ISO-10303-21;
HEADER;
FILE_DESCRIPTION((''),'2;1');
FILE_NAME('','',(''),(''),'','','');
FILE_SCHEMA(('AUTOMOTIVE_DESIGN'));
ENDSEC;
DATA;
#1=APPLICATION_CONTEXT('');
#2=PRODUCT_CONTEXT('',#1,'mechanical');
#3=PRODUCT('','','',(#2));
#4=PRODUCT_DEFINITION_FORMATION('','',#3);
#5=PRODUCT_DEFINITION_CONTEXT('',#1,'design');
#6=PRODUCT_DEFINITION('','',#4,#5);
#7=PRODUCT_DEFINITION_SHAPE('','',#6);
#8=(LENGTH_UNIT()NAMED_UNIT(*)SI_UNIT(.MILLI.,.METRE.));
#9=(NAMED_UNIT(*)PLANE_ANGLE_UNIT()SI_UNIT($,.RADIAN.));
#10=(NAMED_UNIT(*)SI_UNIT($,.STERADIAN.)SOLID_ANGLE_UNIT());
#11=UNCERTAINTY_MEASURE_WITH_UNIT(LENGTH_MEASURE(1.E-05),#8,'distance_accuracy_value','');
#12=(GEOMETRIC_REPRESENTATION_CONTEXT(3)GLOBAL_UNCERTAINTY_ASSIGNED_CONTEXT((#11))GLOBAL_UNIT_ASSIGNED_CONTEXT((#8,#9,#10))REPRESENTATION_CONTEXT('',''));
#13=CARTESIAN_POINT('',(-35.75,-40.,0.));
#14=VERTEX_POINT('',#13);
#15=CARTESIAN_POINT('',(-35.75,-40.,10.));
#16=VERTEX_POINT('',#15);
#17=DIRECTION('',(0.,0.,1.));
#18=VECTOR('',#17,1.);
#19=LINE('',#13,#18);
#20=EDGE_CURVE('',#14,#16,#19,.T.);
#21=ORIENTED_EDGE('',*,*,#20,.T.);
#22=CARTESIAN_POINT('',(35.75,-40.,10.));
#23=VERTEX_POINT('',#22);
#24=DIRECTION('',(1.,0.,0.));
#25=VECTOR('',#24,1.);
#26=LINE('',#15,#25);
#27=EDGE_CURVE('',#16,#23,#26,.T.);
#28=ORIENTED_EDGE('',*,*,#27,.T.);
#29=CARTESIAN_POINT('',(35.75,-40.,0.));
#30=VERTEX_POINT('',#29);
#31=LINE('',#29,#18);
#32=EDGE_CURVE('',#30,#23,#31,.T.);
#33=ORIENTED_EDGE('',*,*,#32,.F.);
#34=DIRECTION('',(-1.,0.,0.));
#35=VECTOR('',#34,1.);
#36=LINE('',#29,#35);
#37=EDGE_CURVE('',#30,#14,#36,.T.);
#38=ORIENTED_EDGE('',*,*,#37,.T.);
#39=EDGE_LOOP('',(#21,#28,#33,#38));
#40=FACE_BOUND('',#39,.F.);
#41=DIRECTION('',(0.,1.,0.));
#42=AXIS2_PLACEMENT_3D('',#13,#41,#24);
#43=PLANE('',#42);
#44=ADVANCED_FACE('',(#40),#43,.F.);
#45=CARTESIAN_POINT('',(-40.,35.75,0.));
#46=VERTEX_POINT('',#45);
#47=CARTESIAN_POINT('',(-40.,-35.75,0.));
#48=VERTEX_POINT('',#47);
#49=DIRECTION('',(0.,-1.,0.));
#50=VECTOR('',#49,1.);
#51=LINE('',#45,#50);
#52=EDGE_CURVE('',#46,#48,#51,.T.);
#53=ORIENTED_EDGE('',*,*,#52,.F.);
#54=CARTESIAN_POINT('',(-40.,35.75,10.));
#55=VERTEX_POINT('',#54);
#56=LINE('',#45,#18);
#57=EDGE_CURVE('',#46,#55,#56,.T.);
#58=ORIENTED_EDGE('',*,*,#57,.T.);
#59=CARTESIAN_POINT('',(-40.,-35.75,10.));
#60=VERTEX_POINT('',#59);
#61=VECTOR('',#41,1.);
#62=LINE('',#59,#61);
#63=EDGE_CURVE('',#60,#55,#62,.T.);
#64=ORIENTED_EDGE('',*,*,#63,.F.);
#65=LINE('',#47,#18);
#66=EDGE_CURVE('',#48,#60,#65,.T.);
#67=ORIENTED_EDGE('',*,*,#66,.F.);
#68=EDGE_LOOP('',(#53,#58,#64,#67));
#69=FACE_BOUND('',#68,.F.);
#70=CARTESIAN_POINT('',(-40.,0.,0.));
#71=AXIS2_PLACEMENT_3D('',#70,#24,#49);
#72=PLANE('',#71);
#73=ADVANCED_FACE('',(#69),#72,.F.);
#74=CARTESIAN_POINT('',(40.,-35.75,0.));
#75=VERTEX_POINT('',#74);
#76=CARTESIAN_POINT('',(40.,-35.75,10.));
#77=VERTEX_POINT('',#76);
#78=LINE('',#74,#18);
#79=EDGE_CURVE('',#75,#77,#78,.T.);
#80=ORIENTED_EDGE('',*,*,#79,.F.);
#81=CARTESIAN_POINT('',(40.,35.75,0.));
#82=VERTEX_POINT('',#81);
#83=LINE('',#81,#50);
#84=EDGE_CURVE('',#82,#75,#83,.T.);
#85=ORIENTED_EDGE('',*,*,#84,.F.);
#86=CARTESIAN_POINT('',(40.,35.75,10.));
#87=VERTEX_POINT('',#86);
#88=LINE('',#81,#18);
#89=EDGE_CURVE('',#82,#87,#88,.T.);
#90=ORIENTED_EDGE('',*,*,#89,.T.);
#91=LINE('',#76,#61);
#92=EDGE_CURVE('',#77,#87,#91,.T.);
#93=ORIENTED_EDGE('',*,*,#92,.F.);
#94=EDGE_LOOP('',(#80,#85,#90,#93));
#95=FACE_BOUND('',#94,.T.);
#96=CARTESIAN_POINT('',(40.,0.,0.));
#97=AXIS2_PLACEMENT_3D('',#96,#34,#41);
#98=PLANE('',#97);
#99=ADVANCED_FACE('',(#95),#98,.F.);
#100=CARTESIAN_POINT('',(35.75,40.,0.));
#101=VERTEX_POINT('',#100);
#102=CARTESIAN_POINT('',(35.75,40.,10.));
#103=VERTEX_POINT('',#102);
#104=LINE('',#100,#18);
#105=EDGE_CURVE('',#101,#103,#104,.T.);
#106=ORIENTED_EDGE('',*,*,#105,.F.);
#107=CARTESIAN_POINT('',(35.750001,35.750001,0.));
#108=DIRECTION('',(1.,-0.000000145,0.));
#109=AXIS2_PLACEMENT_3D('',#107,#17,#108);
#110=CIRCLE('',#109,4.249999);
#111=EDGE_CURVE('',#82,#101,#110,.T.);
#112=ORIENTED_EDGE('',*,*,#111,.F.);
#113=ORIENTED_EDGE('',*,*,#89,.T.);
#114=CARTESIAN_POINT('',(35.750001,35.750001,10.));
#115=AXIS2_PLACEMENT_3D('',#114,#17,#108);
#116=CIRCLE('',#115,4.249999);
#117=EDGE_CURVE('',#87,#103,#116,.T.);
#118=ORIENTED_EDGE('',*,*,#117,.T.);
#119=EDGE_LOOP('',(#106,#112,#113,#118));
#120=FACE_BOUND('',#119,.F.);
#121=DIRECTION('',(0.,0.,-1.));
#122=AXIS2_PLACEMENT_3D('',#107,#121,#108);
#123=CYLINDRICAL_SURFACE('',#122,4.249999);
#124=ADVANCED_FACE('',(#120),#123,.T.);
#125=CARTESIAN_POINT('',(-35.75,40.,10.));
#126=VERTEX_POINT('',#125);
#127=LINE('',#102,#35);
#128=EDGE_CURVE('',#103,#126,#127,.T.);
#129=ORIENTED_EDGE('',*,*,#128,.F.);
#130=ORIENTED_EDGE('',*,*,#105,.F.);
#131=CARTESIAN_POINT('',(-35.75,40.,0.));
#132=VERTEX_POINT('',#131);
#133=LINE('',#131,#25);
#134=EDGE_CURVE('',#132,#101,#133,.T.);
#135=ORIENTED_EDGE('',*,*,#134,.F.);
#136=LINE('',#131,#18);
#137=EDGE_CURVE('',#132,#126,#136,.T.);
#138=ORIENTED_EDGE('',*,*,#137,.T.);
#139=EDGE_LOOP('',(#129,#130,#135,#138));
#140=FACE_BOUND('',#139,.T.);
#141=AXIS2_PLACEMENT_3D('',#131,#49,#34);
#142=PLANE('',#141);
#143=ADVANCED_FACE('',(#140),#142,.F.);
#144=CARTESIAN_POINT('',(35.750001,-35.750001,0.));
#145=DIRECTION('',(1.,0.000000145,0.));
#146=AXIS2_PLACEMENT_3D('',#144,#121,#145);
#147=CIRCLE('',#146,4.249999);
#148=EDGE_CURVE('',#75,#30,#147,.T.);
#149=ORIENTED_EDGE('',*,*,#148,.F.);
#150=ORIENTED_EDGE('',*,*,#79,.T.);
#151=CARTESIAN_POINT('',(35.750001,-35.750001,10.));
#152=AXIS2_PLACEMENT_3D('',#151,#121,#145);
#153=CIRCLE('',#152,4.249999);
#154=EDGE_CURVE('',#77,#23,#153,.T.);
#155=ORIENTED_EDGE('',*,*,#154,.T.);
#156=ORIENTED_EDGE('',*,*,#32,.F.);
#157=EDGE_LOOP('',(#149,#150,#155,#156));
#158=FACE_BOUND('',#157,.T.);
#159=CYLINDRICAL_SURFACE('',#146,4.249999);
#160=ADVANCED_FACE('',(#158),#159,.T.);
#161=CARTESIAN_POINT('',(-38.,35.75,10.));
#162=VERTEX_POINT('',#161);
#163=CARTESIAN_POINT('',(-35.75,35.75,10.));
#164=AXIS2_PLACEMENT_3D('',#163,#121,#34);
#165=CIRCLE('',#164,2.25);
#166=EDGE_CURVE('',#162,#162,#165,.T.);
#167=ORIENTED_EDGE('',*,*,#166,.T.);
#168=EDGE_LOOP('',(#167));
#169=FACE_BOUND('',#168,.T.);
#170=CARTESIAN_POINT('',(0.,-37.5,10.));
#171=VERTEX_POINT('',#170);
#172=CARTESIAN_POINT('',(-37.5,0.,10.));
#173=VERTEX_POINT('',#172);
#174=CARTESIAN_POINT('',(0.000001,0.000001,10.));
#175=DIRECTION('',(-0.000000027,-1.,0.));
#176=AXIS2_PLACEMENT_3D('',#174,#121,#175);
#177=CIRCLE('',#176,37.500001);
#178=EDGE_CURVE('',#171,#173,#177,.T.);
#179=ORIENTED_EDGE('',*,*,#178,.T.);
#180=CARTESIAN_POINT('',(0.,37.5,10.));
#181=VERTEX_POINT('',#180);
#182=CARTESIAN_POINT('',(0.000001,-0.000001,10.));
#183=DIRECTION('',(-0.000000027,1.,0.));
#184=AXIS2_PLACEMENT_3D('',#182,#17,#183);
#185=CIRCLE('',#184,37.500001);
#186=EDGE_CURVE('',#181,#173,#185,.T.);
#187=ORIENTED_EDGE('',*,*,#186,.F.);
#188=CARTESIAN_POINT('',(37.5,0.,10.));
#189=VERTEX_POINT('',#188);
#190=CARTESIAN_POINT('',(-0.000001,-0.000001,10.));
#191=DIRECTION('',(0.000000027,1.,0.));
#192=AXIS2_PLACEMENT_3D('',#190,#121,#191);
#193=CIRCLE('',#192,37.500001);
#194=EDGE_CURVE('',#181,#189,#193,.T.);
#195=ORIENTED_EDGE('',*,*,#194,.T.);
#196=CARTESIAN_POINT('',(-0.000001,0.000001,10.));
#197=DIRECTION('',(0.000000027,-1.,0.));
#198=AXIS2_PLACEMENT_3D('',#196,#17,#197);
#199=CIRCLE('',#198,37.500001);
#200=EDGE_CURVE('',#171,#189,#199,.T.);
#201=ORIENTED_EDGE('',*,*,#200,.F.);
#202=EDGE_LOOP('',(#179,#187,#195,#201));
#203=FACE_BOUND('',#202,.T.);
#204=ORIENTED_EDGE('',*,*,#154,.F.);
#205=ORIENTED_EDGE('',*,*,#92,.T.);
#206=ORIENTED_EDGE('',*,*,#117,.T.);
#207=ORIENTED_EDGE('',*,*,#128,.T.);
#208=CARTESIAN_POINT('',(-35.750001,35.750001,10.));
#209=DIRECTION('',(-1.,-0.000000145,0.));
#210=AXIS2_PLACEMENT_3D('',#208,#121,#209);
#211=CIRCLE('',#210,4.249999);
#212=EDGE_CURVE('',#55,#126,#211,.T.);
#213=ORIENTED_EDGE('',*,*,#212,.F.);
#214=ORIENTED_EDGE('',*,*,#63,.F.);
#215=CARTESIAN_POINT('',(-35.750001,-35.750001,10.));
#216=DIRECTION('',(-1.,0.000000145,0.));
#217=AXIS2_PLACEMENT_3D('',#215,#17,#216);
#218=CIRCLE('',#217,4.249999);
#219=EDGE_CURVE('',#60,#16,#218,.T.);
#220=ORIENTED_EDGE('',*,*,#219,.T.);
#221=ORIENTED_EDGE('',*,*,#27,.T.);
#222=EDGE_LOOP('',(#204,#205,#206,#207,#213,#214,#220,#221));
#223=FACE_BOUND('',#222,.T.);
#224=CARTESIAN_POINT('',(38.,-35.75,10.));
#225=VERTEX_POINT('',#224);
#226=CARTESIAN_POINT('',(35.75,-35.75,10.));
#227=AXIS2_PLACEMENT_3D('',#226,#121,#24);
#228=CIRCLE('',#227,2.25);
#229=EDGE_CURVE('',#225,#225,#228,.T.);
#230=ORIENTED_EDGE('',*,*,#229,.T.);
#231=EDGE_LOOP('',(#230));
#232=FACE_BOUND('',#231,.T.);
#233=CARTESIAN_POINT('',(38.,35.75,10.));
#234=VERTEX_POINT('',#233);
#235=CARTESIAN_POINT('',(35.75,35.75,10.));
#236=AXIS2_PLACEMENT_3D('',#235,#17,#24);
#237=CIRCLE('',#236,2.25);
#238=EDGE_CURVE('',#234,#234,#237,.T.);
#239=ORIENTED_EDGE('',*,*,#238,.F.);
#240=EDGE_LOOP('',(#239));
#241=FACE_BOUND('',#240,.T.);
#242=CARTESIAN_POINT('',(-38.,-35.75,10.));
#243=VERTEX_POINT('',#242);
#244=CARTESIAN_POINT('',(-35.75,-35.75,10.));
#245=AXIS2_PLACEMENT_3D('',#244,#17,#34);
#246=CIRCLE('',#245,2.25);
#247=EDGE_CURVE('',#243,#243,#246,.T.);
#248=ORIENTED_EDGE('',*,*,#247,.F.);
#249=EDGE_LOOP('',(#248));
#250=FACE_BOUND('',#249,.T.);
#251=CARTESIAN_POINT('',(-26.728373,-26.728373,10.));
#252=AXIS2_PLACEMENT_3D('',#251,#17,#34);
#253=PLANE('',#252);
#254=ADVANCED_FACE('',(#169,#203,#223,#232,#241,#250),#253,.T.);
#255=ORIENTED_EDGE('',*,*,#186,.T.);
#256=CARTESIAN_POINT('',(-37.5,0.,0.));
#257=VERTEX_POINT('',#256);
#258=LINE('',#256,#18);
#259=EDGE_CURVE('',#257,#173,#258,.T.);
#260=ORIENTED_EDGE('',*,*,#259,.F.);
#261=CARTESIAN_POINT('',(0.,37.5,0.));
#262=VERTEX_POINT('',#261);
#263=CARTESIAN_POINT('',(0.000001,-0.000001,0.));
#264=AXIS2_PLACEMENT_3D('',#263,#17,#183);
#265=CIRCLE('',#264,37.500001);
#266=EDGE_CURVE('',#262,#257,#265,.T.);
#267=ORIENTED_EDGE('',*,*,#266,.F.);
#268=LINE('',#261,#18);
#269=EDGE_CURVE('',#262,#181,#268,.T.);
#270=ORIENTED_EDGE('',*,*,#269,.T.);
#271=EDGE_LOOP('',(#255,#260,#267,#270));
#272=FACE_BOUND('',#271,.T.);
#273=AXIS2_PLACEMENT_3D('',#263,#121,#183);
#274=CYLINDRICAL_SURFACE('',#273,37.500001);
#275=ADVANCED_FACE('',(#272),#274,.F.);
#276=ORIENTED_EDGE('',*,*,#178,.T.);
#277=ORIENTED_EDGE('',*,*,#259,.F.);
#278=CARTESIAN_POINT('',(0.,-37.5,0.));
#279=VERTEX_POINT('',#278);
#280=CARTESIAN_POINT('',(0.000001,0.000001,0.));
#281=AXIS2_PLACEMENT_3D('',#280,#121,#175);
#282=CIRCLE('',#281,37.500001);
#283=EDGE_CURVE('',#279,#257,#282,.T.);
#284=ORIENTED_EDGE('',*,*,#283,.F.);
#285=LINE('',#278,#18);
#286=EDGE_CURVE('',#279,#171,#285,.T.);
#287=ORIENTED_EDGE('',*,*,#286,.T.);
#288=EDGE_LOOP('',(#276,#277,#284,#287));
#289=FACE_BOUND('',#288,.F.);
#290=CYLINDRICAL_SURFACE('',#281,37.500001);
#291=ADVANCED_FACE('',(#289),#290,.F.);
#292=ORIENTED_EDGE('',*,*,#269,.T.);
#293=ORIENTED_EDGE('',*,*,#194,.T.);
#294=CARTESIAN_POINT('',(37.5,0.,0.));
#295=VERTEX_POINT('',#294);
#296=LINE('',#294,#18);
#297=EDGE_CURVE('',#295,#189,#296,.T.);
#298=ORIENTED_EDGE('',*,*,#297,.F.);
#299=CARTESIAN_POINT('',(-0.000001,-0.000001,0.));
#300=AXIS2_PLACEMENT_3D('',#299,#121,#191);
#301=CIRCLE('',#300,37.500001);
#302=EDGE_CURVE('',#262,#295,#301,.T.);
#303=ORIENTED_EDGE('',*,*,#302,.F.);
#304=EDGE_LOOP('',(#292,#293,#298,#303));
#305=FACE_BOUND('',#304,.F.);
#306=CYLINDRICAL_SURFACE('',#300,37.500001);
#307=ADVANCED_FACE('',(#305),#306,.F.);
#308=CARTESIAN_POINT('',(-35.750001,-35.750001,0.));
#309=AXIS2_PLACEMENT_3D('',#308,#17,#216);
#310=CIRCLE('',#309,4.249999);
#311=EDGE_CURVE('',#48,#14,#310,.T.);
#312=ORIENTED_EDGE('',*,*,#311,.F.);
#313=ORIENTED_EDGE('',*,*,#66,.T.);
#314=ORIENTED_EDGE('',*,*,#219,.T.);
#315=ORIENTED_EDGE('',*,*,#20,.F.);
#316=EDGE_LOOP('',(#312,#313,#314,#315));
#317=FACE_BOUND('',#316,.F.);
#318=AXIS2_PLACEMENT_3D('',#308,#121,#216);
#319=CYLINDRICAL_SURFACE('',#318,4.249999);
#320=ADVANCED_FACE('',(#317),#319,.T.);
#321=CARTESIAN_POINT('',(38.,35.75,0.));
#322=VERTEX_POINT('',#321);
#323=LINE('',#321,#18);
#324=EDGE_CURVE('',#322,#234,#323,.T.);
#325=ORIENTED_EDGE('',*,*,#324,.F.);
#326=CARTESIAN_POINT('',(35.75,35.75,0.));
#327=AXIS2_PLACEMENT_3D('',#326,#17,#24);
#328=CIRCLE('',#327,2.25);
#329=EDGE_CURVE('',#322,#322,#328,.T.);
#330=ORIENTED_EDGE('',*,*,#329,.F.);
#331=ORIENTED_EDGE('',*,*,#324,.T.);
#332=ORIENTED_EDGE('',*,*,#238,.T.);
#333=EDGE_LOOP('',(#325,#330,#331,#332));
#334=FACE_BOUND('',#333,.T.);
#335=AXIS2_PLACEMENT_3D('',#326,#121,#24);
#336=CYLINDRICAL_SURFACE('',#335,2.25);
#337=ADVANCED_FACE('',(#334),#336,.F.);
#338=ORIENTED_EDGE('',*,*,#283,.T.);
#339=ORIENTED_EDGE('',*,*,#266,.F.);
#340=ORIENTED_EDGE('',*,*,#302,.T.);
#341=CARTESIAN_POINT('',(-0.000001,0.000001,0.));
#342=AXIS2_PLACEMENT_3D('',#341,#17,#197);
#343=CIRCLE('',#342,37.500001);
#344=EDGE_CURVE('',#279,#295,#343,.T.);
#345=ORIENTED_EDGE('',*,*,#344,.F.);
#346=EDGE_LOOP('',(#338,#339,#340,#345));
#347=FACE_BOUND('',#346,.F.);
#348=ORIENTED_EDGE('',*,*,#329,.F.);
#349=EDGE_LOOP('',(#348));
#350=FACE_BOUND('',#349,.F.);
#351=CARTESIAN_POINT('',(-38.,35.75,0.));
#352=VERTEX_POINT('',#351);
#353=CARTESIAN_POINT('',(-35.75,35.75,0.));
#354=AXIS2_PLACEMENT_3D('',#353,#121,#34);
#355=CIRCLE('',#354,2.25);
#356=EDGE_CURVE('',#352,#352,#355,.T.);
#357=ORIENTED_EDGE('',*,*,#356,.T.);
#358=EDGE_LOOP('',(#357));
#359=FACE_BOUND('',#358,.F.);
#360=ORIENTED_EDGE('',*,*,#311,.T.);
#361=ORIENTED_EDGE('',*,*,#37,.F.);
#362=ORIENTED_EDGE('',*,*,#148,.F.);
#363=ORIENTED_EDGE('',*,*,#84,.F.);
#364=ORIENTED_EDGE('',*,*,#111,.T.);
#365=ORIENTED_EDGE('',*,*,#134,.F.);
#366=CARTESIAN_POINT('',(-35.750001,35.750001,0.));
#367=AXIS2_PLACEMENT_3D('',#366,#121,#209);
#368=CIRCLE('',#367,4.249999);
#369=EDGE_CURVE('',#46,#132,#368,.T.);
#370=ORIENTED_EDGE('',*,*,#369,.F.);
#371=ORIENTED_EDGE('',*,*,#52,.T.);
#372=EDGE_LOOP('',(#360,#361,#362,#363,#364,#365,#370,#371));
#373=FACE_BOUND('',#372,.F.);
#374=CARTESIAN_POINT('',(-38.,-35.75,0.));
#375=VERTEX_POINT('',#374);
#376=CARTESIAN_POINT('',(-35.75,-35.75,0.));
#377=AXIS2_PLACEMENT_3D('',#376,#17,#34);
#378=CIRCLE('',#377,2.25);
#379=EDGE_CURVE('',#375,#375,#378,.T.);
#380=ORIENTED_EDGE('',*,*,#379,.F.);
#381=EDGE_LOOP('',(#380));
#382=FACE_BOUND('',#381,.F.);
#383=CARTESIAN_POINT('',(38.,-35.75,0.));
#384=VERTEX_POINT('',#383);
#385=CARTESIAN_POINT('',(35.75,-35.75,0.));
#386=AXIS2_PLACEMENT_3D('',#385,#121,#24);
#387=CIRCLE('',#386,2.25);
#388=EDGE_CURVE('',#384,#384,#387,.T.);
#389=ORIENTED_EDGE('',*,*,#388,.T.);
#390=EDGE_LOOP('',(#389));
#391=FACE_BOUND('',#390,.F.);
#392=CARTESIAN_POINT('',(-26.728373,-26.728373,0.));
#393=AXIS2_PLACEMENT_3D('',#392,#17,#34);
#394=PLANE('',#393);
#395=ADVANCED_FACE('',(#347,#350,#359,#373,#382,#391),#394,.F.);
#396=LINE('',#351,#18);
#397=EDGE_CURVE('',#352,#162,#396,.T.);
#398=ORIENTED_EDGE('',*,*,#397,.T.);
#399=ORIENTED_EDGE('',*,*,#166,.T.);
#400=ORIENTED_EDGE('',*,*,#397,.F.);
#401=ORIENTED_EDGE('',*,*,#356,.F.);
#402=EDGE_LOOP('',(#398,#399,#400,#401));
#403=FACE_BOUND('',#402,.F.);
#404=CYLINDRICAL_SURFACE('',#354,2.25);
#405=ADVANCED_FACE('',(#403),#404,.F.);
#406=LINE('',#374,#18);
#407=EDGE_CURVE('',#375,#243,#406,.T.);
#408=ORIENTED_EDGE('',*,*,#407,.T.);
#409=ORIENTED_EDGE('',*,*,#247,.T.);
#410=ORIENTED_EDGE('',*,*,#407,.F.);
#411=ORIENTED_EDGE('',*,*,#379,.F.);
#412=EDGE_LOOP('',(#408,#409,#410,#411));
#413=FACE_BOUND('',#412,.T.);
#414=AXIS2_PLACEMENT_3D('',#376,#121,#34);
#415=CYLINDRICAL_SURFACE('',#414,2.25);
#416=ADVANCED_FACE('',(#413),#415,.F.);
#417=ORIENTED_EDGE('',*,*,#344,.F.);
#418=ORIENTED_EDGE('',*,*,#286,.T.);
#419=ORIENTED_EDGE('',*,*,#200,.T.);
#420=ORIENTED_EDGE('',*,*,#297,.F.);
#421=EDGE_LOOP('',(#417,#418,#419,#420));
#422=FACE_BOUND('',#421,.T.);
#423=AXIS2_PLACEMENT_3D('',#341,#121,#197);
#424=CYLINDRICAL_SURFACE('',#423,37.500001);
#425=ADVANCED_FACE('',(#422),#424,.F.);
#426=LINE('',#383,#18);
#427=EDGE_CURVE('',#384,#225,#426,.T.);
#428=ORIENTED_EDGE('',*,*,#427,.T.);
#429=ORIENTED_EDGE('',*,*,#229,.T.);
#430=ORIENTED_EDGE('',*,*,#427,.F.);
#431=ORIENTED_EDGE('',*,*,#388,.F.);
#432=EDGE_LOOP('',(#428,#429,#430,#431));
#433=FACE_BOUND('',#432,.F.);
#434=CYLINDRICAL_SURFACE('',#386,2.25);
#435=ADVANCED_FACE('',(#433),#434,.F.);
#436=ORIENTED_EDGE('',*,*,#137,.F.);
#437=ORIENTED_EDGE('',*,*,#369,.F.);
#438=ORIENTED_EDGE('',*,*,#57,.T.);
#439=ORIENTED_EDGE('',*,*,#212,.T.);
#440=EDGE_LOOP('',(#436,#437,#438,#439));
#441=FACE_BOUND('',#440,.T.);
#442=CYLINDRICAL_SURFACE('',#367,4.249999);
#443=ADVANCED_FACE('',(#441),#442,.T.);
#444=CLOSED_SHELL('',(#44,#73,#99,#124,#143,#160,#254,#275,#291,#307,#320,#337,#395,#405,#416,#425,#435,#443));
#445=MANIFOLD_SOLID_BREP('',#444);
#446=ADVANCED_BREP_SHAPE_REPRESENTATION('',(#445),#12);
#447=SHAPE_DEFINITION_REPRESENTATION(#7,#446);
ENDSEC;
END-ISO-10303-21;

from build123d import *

# Parameters (mm, degrees)
F0_R     = 2.25
F1_DEPTH = 10


with BuildPart() as f1:
    # F0 (on Top) → F1 (new body)
    with BuildSketch(Plane.XY):
        with BuildLine():
            ThreePointArc((0, 37.5), (26.516504, 26.516504), (37.5, 0))
            Line((37.5, 0), (40, 0))
            Line((40, 0), (40, 35.75))
            ThreePointArc((40, 35.75), (38.755204, 38.755204), (35.75, 40))
            Line((35.75, 40), (0, 40))
            Line((0, 40), (0, 37.5))
        make_face()
        with Locations((35.75, 35.75)):
            Circle(F0_R, mode=Mode.SUBTRACT)
    extrude(amount=F1_DEPTH)

    # F2: F1 across face


with BuildPart() as f1_1:
    add(f1.part)
    add(f1.part.mirror(Plane(origin=(38.75, 0, 5), x_dir=(1, 0, 0), z_dir=(0, -1, 0))))

    # F3: F1 across face


with BuildPart() as f1_2:
    add(f1_1.part)
    add(f1_1.part.mirror(Plane(origin=(0, 38.75, 5), x_dir=(0, -1, 0), z_dir=(-1, 0, 0))))


solid = f1_2.part
